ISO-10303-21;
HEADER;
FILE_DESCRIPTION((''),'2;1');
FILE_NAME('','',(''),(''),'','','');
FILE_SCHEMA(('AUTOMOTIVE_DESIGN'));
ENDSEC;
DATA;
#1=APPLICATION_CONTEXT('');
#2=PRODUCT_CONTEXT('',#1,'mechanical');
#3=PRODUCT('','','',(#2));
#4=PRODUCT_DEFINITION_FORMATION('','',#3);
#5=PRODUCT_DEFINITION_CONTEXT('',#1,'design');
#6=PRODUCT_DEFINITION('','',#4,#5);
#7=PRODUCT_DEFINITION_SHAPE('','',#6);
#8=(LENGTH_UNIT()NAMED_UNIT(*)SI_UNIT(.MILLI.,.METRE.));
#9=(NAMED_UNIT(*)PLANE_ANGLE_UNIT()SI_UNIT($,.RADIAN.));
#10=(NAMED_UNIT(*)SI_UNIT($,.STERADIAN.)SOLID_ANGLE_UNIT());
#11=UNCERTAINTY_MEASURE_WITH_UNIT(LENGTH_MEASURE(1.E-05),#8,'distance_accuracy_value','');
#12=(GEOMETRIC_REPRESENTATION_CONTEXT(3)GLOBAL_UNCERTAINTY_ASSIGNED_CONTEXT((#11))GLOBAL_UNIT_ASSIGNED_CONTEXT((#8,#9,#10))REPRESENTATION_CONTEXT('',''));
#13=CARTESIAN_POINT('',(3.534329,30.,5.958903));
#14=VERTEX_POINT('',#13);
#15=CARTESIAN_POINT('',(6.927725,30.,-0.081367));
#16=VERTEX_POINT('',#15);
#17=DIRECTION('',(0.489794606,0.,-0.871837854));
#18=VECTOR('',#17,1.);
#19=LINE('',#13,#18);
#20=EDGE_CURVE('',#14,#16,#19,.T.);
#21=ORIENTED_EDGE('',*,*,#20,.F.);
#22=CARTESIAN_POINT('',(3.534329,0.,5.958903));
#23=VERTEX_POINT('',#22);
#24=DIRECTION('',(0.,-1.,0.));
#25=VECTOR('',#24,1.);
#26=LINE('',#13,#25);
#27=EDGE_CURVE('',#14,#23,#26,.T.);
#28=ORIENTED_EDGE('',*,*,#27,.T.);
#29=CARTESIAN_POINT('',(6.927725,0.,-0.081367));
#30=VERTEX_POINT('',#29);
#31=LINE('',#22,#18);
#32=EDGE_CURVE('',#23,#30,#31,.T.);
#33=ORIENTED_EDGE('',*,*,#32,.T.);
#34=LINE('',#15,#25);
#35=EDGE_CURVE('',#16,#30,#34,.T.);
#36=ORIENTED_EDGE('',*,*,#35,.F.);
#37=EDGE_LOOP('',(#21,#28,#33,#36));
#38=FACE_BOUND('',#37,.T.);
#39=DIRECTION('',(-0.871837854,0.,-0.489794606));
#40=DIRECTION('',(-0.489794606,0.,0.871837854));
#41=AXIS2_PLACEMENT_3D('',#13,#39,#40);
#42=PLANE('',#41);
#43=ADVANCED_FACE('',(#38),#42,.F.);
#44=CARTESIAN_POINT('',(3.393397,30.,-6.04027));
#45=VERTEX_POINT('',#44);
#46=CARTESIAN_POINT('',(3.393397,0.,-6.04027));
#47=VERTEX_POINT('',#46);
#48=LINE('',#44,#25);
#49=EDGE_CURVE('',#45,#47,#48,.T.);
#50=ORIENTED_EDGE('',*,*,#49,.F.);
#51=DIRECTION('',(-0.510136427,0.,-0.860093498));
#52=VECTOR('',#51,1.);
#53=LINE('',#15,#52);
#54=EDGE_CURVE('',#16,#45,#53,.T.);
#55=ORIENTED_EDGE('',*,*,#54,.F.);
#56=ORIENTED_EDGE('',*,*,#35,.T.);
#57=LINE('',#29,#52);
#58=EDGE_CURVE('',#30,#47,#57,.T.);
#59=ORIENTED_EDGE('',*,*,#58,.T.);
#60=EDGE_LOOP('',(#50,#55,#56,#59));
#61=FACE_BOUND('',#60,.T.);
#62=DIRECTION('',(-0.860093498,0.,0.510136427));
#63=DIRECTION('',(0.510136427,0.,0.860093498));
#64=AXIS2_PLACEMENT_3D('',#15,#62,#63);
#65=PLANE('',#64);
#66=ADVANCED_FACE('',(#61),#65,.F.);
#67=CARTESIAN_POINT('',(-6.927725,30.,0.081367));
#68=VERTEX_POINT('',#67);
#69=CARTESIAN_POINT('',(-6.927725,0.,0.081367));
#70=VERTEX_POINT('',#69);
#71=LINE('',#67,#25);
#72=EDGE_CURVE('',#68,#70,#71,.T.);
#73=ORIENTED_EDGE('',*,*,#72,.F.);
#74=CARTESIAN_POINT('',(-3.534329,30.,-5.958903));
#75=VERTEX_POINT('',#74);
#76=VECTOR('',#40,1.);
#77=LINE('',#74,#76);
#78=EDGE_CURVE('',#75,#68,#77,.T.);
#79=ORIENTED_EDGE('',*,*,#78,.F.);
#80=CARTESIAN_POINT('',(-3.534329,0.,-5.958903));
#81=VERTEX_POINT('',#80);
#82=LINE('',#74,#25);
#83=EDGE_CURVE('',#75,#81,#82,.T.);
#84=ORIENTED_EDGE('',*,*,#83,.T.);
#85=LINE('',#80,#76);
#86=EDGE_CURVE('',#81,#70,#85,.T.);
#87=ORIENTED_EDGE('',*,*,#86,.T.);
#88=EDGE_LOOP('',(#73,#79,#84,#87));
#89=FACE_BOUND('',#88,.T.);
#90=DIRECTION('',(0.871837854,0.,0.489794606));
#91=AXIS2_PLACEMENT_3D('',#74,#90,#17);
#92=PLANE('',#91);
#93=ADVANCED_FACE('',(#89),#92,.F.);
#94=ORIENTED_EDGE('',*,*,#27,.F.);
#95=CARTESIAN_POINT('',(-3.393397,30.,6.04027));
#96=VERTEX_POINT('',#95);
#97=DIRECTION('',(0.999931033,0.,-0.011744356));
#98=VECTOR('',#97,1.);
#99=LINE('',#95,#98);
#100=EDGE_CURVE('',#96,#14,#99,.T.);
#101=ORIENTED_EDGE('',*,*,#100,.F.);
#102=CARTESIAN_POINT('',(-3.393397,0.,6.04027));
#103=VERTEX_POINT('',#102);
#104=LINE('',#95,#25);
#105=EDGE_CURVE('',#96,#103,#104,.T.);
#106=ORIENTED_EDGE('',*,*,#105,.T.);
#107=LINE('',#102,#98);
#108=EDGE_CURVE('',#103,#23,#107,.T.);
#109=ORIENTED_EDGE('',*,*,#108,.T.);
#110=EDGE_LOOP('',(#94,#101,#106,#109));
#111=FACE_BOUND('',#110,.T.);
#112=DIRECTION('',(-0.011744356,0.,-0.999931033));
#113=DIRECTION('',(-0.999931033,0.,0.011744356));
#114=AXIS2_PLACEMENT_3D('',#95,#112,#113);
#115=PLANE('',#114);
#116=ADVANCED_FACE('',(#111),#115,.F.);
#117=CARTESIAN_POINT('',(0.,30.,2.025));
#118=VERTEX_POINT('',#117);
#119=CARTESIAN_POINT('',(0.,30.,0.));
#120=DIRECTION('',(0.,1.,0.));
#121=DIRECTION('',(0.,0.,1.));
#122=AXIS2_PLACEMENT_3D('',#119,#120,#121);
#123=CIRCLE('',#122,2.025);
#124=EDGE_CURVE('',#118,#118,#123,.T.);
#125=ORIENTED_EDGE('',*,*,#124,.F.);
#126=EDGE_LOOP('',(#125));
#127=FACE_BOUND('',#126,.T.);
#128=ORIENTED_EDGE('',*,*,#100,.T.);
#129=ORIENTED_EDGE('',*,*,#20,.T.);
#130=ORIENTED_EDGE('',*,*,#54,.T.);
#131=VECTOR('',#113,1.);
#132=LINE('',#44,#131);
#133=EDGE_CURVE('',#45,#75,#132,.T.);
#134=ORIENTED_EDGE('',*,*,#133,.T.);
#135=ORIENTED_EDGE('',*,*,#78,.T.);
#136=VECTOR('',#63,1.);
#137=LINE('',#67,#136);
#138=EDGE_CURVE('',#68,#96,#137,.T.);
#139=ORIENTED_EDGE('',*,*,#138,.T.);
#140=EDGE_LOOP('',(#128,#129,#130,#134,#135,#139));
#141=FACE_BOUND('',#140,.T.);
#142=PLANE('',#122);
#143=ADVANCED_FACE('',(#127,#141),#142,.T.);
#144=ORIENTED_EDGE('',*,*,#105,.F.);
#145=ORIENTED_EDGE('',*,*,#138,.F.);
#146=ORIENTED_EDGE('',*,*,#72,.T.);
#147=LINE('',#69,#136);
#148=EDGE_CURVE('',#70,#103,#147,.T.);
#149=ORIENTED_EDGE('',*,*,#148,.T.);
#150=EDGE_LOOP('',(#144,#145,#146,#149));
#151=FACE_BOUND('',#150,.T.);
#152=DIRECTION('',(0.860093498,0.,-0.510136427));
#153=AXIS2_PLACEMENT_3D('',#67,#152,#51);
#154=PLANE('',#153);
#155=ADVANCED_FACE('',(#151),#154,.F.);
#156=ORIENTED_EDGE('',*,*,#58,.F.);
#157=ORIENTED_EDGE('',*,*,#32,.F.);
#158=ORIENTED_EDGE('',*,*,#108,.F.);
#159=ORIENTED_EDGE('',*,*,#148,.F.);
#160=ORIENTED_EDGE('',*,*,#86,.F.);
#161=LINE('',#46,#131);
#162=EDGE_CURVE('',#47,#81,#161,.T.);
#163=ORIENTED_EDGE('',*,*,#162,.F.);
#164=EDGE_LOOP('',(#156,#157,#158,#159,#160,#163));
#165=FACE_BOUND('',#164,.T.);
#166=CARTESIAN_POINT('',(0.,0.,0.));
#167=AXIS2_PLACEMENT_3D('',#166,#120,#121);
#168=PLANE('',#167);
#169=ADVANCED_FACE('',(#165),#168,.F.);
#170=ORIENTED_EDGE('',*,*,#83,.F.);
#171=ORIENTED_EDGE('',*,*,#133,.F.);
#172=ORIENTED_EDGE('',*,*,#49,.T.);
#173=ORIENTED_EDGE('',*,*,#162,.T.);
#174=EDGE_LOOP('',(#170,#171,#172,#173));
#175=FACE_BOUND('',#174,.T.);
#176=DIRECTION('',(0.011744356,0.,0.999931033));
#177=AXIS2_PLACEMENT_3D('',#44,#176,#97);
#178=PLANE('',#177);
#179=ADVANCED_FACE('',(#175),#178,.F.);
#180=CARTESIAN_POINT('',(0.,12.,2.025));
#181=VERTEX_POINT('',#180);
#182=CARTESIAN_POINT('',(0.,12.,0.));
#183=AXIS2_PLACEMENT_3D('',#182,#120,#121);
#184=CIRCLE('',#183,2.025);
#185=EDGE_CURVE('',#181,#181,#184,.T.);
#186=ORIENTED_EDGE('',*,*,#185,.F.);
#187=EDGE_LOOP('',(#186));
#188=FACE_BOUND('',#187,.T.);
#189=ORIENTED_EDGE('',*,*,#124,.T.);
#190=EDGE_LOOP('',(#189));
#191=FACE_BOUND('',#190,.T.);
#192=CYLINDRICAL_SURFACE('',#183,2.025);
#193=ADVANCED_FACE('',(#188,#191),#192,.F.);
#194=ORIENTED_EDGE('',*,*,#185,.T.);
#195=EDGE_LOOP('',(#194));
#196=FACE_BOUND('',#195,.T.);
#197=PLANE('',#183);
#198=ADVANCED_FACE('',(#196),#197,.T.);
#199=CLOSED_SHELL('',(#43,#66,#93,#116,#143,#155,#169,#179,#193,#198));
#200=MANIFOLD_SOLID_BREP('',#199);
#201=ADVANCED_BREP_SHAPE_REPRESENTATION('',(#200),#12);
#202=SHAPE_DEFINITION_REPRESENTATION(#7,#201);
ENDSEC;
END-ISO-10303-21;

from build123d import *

# Parameters (mm, degrees)
SALIENTE_EXTRUIR1_DEPTH = 30
CROQUIS2_R              = 2.025
CORTAR_EXTRUIR1_DEPTH   = 18


with BuildPart() as part:
    # Croquis1 → Saliente-Extruir1 (new body)
    with BuildSketch(Plane(origin=(0, 0, 0), x_dir=(1, 0, 0), z_dir=(0, 1, 0))):
        Polygon((3.534328842, -5.958902553), (6.927725411, 0.081367286), (3.393396568, 6.040269839), (-3.534328842, 5.958902553), (-6.927725411, -0.081367286), (-3.393396568, -6.040269839), align=None)
    extrude(amount=SALIENTE_EXTRUIR1_DEPTH)

    # Croquis2 → Cortar-Extruir1 (cut)
    with BuildSketch(Plane(origin=(0, 30, 0), x_dir=(1, 0, 0), z_dir=(0, 1, 0))):
        with Locations(Location((0, 0, 0), (0, 0, 270))):
            Circle(CROQUIS2_R)
    extrude(amount=-CORTAR_EXTRUIR1_DEPTH, mode=Mode.SUBTRACT)


solid = part.part
